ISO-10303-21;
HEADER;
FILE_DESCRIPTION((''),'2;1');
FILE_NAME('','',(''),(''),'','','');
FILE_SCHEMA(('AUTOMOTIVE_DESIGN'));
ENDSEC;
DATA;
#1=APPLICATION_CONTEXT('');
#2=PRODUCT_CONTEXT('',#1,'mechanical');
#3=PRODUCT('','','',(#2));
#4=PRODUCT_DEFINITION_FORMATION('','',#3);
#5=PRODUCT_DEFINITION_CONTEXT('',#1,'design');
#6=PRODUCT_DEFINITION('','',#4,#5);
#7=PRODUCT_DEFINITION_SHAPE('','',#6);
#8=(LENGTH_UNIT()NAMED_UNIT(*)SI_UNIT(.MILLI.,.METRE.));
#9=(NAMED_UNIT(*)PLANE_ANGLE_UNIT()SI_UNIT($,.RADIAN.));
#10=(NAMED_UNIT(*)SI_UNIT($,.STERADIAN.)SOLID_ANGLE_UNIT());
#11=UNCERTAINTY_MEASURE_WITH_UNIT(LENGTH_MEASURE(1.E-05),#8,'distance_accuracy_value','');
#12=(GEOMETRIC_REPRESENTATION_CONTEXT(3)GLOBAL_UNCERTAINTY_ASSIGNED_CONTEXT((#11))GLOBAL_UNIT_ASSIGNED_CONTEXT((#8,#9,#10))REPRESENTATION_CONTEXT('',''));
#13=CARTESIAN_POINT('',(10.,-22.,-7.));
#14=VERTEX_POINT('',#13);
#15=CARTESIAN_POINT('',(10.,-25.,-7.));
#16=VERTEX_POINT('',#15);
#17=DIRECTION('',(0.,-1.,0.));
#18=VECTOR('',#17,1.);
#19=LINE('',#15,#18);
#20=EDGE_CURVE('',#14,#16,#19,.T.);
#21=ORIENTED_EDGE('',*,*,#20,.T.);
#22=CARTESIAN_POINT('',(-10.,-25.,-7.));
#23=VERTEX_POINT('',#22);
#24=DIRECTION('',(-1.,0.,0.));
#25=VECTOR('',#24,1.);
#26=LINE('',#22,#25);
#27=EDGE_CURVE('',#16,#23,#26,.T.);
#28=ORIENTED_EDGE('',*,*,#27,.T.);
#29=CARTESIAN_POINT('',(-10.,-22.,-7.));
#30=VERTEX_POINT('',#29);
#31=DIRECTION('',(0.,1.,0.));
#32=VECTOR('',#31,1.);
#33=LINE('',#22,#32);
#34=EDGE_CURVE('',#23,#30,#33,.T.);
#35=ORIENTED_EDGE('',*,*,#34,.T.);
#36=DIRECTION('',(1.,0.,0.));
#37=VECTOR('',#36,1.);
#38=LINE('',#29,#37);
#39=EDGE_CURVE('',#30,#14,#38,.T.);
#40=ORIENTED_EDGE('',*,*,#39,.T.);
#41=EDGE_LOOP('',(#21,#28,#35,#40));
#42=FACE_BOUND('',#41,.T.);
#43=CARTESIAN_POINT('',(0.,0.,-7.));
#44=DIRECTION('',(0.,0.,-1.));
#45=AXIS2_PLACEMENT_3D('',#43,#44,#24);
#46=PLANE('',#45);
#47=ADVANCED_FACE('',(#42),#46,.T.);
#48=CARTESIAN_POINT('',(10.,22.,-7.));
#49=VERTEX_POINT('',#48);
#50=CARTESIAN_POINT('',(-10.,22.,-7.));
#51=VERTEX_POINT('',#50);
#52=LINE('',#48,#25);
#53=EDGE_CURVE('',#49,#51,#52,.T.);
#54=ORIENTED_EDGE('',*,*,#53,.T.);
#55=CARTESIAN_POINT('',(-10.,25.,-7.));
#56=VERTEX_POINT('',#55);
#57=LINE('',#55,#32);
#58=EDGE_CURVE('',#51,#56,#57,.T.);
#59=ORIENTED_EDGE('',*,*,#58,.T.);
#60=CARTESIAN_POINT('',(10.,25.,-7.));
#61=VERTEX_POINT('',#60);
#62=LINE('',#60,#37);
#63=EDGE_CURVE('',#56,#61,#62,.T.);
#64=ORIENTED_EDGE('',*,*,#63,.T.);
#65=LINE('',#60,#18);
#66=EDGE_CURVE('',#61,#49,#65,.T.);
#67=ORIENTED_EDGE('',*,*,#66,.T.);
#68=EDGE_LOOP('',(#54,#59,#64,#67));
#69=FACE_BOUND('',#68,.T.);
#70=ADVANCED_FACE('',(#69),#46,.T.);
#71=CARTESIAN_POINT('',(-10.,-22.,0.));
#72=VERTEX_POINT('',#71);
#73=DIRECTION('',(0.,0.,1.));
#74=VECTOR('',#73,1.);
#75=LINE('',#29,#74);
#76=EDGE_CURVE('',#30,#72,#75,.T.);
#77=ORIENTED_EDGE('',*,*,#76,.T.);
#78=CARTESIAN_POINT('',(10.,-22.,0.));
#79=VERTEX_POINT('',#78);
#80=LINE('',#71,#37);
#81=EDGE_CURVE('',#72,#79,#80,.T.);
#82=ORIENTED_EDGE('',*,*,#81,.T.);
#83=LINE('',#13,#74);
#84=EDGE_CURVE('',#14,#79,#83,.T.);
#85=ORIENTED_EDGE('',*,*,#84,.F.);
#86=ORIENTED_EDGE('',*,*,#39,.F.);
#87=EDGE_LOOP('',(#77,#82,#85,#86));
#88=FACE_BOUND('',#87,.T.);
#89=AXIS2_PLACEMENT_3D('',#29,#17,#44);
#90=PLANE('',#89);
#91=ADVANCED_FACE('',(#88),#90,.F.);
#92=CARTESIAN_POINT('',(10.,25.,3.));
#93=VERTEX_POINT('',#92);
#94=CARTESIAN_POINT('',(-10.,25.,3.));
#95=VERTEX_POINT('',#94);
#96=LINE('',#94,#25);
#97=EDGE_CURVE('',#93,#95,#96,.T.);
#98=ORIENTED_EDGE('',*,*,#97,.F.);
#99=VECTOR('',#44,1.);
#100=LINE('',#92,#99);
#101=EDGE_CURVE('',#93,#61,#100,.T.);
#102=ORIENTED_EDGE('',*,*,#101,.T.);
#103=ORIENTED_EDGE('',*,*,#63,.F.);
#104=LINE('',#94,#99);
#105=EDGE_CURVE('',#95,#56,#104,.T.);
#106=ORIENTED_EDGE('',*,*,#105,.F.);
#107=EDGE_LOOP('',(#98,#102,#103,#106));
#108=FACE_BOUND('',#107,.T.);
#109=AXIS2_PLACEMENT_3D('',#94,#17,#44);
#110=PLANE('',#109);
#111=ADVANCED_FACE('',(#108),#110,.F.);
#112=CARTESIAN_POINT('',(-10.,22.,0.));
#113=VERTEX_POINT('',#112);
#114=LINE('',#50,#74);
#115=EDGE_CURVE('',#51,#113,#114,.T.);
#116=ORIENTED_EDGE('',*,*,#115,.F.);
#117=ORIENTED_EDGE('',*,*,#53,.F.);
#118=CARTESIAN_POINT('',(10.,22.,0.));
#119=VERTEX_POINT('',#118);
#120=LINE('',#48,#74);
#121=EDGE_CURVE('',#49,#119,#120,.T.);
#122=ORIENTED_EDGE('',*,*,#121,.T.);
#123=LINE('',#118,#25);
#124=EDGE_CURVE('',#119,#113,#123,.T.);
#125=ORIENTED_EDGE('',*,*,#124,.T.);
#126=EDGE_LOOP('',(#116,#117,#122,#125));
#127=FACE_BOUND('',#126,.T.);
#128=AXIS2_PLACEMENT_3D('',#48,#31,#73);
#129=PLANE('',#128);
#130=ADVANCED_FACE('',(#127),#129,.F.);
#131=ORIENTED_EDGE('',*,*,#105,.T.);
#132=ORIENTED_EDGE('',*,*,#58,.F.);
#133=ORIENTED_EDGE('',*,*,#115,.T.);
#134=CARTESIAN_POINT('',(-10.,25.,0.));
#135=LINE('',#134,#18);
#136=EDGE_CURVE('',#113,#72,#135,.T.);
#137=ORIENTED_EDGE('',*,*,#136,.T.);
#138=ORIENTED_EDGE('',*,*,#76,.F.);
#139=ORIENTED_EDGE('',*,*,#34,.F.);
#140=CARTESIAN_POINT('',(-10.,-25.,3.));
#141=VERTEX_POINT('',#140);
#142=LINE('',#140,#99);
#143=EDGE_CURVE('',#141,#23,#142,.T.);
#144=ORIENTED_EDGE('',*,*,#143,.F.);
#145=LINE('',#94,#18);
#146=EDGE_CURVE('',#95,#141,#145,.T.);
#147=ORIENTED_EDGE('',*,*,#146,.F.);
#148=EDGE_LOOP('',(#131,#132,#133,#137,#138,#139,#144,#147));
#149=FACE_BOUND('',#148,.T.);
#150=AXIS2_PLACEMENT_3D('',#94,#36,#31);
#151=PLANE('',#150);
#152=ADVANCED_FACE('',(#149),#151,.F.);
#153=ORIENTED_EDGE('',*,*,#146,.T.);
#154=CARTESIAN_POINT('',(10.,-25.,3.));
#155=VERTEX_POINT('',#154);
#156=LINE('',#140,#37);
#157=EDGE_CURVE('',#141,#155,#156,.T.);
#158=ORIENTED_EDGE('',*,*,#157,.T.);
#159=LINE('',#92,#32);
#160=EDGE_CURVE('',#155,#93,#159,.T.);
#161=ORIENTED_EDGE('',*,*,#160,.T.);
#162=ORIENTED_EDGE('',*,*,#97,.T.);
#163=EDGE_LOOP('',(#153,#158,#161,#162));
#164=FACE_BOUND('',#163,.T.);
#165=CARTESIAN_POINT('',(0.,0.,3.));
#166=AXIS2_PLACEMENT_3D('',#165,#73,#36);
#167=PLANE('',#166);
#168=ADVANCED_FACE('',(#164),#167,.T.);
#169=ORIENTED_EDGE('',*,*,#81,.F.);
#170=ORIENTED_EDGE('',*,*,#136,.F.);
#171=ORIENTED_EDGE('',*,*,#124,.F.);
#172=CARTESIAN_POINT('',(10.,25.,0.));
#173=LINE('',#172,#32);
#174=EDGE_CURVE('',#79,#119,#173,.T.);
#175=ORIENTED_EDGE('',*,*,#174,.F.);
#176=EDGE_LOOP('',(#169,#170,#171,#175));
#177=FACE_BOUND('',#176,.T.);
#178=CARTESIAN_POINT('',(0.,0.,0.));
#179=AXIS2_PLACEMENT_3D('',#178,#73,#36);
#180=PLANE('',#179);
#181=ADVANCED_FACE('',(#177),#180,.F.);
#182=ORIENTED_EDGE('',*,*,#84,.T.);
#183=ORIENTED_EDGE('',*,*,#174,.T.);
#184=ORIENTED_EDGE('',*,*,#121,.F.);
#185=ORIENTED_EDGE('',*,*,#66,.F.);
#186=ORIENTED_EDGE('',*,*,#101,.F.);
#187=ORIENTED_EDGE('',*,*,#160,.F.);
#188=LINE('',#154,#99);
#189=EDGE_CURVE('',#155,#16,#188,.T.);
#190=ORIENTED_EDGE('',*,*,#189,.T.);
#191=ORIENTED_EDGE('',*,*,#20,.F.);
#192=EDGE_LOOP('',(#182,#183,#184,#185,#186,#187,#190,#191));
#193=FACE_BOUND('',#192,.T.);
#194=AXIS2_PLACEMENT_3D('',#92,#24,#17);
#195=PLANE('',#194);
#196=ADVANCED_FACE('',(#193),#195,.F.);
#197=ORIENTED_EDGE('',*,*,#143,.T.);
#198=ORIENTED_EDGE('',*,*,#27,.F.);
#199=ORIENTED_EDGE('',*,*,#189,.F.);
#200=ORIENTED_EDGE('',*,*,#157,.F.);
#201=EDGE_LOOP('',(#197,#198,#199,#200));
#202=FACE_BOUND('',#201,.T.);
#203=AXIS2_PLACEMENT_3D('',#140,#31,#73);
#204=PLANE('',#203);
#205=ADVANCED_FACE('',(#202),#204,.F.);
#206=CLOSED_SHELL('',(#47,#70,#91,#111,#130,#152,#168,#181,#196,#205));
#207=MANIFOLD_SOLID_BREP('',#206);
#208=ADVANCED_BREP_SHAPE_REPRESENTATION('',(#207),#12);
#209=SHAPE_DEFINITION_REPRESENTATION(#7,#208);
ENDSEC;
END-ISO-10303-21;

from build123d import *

# Parameters (mm, degrees)
CROQUIS1_W              = 20
CROQUIS1_H              = 50
SALIENTE_EXTRUIR1_DEPTH = 3
CROQUIS2_W              = 20
CROQUIS2_H              = 3
SALIENTE_EXTRUIR2_DEPTH = 7
CROQUIS3_W              = 20
CROQUIS3_H              = 3
SALIENTE_EXTRUIR3_DEPTH = 7


with BuildPart() as part:
    # Croquis1 → Saliente-Extruir1 (new body)
    with BuildSketch(Plane.XY):
        Rectangle(CROQUIS1_W, CROQUIS1_H)
    extrude(amount=SALIENTE_EXTRUIR1_DEPTH)

    # Croquis2 → Saliente-Extruir2 (add)
    with BuildSketch(Plane(origin=(0, 0, 0), x_dir=(-1, 0, 0), z_dir=(0, 0, -1))):
        with Locations((0, 23.5)):
            Rectangle(CROQUIS2_W, CROQUIS2_H)
    extrude(amount=SALIENTE_EXTRUIR2_DEPTH)

    # Croquis3 → Saliente-Extruir3 (add)
    with BuildSketch(Plane(origin=(0, 0, 0), x_dir=(-1, 0, 0), z_dir=(0, 0, -1))):
        with Locations((0, -23.5)):
            Rectangle(CROQUIS3_W, CROQUIS3_H)
    extrude(amount=SALIENTE_EXTRUIR3_DEPTH)


solid = part.part
